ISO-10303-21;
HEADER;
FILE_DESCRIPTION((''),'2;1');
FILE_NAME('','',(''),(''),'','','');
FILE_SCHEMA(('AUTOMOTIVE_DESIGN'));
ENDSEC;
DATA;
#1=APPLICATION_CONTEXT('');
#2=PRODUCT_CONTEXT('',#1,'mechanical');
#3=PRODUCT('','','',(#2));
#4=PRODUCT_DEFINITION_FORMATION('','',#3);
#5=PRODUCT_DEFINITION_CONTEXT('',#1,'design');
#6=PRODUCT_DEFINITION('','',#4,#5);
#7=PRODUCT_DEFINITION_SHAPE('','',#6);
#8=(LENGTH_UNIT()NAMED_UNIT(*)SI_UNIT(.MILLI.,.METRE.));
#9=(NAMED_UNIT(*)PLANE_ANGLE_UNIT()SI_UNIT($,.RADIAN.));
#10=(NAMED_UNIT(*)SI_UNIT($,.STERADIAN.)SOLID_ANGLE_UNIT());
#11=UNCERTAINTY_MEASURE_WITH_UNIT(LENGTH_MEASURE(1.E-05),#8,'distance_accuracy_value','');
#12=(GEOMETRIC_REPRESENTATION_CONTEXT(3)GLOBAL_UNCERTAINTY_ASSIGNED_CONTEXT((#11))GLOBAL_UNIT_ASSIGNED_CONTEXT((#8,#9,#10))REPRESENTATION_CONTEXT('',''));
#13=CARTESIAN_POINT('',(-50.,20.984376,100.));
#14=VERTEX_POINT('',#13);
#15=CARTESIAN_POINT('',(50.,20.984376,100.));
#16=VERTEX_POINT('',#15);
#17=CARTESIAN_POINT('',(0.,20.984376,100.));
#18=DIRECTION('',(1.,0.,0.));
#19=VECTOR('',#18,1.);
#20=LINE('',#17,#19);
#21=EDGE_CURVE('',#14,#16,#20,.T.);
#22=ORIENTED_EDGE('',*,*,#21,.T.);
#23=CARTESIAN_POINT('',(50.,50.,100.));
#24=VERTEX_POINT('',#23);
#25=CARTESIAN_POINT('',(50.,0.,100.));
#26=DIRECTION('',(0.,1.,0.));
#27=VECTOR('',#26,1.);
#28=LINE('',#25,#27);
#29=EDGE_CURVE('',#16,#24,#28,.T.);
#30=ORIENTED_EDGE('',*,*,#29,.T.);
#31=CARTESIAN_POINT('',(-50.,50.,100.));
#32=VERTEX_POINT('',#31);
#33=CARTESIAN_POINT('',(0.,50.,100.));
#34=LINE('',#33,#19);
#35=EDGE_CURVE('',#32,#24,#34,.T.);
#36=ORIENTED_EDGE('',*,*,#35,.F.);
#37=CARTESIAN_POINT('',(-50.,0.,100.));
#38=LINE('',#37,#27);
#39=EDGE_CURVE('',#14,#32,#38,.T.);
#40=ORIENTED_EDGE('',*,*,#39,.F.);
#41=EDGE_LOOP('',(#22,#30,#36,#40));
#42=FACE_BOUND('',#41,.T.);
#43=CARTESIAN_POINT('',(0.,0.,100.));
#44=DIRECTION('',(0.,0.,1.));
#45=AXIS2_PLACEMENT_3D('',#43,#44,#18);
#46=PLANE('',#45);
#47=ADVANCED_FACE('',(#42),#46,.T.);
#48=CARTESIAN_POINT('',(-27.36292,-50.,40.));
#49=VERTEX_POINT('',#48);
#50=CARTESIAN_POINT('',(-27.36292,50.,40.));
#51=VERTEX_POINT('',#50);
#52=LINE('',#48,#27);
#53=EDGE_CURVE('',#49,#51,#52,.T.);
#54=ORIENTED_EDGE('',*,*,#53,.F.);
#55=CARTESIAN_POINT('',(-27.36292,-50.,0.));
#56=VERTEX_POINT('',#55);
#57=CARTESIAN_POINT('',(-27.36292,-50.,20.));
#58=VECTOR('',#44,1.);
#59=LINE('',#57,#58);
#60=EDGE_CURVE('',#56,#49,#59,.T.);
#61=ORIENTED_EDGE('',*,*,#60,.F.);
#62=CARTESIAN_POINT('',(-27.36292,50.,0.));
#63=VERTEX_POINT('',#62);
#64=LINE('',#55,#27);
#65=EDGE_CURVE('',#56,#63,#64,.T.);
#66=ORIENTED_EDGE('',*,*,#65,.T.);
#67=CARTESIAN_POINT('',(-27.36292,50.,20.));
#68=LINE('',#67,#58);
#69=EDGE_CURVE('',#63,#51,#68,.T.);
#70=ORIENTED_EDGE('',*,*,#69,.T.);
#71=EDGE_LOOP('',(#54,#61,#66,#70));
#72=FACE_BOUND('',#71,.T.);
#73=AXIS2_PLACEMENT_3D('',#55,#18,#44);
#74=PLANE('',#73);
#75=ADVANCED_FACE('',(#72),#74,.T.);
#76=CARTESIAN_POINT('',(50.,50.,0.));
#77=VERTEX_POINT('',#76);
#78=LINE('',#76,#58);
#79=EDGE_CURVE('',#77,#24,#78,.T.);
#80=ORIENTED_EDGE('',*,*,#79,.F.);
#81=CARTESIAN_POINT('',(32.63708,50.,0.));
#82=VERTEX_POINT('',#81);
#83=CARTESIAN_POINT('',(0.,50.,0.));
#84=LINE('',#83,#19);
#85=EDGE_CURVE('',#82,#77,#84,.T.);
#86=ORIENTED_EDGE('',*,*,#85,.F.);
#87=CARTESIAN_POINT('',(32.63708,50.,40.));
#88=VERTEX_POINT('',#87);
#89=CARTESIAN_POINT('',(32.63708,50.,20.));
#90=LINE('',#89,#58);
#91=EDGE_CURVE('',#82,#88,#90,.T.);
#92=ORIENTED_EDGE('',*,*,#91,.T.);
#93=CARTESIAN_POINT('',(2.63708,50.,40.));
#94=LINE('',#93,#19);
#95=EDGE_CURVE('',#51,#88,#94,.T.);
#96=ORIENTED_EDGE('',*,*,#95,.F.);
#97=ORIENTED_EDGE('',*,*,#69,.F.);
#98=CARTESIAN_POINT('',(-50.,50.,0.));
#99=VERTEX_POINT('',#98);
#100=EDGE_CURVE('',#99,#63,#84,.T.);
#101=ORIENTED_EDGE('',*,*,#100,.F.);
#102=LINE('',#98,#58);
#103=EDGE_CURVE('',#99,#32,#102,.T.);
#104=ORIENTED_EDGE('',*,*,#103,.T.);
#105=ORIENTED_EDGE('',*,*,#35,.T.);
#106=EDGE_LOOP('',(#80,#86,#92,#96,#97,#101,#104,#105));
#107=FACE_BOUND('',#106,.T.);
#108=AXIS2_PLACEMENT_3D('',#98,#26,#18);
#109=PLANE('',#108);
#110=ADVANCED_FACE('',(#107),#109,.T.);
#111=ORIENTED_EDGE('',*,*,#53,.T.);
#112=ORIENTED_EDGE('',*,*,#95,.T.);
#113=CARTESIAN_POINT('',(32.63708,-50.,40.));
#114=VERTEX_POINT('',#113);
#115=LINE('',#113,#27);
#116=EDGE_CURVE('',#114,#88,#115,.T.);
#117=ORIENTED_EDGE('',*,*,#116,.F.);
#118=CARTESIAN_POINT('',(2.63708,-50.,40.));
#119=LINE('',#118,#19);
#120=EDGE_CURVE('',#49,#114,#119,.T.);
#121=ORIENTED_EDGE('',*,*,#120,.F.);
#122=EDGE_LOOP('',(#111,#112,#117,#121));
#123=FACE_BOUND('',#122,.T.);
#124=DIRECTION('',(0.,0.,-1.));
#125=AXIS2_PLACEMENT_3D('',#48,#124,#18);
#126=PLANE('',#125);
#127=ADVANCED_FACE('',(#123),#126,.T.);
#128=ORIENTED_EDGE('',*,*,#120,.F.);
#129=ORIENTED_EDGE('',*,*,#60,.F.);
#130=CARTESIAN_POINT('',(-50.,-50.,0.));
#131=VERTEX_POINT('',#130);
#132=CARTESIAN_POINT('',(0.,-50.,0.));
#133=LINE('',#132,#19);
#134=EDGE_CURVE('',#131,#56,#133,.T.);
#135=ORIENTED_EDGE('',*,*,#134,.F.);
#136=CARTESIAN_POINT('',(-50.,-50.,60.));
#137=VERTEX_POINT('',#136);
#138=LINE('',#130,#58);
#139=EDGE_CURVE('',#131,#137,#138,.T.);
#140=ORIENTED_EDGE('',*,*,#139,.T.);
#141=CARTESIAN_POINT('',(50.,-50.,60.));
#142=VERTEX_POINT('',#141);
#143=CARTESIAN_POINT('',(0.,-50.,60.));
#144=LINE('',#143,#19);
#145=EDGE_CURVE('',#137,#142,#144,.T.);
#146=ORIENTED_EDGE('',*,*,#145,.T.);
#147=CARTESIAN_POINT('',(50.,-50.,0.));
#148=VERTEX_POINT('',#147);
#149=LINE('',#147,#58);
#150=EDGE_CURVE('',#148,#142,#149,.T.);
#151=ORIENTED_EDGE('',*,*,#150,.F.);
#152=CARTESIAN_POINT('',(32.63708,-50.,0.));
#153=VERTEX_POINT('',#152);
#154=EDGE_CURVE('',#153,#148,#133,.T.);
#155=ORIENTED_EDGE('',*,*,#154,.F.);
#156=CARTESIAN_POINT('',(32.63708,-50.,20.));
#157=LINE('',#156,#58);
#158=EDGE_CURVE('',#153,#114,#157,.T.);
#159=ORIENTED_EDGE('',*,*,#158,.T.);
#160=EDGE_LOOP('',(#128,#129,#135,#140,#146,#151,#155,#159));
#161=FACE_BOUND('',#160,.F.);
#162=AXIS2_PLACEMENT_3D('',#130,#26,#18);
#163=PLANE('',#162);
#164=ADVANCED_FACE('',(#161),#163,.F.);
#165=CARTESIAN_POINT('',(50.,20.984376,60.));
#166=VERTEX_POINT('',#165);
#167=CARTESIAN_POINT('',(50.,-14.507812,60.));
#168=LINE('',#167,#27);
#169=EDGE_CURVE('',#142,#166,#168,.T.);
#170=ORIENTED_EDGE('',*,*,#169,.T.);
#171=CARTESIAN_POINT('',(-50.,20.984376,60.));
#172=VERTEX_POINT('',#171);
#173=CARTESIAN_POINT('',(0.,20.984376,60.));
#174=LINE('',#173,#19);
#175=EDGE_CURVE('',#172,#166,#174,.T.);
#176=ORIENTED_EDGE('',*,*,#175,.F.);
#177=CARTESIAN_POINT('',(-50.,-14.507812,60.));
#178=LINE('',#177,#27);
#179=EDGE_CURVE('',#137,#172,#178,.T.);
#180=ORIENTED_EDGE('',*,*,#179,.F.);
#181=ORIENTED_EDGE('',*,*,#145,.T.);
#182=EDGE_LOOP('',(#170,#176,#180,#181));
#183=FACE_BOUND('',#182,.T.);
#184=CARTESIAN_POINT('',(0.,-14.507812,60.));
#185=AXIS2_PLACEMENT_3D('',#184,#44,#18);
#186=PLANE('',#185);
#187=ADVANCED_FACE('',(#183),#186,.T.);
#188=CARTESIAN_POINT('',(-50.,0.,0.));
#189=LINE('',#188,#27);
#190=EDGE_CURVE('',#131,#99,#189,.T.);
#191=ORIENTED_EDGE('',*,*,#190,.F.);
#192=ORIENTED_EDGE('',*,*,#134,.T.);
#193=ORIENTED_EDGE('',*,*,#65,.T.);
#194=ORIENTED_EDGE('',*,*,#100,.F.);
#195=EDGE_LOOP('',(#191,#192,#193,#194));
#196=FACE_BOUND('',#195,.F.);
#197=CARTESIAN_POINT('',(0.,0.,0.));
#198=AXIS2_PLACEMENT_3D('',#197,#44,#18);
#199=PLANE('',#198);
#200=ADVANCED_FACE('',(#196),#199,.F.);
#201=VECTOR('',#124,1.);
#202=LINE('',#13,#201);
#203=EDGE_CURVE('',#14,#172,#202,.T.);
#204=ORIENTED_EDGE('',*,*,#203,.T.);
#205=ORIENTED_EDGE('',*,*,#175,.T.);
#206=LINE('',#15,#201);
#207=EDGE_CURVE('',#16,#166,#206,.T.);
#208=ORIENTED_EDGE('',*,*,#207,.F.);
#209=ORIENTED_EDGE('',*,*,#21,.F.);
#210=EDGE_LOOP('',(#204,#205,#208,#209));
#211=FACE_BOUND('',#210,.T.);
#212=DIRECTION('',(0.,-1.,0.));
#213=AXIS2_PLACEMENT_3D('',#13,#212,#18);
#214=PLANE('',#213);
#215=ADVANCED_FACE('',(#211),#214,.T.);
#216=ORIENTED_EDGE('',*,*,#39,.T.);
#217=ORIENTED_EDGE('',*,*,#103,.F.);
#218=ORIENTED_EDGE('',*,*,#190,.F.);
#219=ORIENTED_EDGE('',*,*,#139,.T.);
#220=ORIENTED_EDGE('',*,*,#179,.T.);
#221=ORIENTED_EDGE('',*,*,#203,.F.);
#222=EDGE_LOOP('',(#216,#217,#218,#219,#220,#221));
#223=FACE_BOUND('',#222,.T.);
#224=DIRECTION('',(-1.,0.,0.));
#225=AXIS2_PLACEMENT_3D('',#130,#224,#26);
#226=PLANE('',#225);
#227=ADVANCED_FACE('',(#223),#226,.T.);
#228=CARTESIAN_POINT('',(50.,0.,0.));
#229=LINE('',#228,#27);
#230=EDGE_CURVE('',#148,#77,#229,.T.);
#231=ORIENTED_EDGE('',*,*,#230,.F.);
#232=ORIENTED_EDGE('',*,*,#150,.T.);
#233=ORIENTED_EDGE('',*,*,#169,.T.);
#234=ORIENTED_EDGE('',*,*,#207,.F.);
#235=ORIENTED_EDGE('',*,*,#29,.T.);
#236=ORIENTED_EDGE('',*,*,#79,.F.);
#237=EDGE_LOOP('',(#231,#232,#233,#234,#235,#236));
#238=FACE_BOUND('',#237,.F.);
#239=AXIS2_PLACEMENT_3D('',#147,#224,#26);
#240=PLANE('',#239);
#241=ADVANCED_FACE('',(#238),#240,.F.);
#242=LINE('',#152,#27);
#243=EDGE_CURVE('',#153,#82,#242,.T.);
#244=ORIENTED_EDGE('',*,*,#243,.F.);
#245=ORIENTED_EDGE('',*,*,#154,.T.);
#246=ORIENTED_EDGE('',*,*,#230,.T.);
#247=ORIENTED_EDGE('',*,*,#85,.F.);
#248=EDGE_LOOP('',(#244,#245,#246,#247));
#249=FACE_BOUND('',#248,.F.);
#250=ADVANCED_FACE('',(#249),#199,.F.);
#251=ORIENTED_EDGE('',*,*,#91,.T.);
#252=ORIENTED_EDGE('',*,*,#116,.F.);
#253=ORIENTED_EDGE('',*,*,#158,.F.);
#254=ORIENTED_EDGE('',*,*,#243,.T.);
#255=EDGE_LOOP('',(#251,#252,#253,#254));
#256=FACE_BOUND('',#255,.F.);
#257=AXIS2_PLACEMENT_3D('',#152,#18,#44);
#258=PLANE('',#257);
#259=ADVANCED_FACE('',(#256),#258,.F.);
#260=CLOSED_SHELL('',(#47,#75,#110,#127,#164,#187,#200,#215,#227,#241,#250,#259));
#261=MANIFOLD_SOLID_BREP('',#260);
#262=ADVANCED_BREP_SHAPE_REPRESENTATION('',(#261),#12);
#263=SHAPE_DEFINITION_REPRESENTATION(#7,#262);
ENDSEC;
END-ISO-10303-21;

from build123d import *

# Parameters (mm, degrees)
F0_W     = 100
F0_H     = 100
F1_DEPTH = 100
F2_W     = 100
F2_H     = 70.984376
F3_DEPTH = 40
F4_W     = 60
F4_H     = 40
F5_DEPTH = 100


with BuildPart() as f1:
    # F0 (on Top) → F1 (new body)
    with BuildSketch(Plane.XY):
        Rectangle(F0_W, F0_H)
    extrude(amount=F1_DEPTH)

    # F2 (on face) → F3 (cut)
    with BuildSketch(Plane.XY.offset(100)):
        with Locations((0, -14.507812)):
            Rectangle(F2_W, F2_H)
    extrude(amount=-F3_DEPTH, mode=Mode.SUBTRACT)

    # F4 (on face) → F5 (cut)
    with BuildSketch(Plane.XZ.offset(50)):
        with Locations((2.63708, 20)):
            Rectangle(F4_W, F4_H)
    extrude(amount=-F5_DEPTH, mode=Mode.SUBTRACT)


solid = f1.part
